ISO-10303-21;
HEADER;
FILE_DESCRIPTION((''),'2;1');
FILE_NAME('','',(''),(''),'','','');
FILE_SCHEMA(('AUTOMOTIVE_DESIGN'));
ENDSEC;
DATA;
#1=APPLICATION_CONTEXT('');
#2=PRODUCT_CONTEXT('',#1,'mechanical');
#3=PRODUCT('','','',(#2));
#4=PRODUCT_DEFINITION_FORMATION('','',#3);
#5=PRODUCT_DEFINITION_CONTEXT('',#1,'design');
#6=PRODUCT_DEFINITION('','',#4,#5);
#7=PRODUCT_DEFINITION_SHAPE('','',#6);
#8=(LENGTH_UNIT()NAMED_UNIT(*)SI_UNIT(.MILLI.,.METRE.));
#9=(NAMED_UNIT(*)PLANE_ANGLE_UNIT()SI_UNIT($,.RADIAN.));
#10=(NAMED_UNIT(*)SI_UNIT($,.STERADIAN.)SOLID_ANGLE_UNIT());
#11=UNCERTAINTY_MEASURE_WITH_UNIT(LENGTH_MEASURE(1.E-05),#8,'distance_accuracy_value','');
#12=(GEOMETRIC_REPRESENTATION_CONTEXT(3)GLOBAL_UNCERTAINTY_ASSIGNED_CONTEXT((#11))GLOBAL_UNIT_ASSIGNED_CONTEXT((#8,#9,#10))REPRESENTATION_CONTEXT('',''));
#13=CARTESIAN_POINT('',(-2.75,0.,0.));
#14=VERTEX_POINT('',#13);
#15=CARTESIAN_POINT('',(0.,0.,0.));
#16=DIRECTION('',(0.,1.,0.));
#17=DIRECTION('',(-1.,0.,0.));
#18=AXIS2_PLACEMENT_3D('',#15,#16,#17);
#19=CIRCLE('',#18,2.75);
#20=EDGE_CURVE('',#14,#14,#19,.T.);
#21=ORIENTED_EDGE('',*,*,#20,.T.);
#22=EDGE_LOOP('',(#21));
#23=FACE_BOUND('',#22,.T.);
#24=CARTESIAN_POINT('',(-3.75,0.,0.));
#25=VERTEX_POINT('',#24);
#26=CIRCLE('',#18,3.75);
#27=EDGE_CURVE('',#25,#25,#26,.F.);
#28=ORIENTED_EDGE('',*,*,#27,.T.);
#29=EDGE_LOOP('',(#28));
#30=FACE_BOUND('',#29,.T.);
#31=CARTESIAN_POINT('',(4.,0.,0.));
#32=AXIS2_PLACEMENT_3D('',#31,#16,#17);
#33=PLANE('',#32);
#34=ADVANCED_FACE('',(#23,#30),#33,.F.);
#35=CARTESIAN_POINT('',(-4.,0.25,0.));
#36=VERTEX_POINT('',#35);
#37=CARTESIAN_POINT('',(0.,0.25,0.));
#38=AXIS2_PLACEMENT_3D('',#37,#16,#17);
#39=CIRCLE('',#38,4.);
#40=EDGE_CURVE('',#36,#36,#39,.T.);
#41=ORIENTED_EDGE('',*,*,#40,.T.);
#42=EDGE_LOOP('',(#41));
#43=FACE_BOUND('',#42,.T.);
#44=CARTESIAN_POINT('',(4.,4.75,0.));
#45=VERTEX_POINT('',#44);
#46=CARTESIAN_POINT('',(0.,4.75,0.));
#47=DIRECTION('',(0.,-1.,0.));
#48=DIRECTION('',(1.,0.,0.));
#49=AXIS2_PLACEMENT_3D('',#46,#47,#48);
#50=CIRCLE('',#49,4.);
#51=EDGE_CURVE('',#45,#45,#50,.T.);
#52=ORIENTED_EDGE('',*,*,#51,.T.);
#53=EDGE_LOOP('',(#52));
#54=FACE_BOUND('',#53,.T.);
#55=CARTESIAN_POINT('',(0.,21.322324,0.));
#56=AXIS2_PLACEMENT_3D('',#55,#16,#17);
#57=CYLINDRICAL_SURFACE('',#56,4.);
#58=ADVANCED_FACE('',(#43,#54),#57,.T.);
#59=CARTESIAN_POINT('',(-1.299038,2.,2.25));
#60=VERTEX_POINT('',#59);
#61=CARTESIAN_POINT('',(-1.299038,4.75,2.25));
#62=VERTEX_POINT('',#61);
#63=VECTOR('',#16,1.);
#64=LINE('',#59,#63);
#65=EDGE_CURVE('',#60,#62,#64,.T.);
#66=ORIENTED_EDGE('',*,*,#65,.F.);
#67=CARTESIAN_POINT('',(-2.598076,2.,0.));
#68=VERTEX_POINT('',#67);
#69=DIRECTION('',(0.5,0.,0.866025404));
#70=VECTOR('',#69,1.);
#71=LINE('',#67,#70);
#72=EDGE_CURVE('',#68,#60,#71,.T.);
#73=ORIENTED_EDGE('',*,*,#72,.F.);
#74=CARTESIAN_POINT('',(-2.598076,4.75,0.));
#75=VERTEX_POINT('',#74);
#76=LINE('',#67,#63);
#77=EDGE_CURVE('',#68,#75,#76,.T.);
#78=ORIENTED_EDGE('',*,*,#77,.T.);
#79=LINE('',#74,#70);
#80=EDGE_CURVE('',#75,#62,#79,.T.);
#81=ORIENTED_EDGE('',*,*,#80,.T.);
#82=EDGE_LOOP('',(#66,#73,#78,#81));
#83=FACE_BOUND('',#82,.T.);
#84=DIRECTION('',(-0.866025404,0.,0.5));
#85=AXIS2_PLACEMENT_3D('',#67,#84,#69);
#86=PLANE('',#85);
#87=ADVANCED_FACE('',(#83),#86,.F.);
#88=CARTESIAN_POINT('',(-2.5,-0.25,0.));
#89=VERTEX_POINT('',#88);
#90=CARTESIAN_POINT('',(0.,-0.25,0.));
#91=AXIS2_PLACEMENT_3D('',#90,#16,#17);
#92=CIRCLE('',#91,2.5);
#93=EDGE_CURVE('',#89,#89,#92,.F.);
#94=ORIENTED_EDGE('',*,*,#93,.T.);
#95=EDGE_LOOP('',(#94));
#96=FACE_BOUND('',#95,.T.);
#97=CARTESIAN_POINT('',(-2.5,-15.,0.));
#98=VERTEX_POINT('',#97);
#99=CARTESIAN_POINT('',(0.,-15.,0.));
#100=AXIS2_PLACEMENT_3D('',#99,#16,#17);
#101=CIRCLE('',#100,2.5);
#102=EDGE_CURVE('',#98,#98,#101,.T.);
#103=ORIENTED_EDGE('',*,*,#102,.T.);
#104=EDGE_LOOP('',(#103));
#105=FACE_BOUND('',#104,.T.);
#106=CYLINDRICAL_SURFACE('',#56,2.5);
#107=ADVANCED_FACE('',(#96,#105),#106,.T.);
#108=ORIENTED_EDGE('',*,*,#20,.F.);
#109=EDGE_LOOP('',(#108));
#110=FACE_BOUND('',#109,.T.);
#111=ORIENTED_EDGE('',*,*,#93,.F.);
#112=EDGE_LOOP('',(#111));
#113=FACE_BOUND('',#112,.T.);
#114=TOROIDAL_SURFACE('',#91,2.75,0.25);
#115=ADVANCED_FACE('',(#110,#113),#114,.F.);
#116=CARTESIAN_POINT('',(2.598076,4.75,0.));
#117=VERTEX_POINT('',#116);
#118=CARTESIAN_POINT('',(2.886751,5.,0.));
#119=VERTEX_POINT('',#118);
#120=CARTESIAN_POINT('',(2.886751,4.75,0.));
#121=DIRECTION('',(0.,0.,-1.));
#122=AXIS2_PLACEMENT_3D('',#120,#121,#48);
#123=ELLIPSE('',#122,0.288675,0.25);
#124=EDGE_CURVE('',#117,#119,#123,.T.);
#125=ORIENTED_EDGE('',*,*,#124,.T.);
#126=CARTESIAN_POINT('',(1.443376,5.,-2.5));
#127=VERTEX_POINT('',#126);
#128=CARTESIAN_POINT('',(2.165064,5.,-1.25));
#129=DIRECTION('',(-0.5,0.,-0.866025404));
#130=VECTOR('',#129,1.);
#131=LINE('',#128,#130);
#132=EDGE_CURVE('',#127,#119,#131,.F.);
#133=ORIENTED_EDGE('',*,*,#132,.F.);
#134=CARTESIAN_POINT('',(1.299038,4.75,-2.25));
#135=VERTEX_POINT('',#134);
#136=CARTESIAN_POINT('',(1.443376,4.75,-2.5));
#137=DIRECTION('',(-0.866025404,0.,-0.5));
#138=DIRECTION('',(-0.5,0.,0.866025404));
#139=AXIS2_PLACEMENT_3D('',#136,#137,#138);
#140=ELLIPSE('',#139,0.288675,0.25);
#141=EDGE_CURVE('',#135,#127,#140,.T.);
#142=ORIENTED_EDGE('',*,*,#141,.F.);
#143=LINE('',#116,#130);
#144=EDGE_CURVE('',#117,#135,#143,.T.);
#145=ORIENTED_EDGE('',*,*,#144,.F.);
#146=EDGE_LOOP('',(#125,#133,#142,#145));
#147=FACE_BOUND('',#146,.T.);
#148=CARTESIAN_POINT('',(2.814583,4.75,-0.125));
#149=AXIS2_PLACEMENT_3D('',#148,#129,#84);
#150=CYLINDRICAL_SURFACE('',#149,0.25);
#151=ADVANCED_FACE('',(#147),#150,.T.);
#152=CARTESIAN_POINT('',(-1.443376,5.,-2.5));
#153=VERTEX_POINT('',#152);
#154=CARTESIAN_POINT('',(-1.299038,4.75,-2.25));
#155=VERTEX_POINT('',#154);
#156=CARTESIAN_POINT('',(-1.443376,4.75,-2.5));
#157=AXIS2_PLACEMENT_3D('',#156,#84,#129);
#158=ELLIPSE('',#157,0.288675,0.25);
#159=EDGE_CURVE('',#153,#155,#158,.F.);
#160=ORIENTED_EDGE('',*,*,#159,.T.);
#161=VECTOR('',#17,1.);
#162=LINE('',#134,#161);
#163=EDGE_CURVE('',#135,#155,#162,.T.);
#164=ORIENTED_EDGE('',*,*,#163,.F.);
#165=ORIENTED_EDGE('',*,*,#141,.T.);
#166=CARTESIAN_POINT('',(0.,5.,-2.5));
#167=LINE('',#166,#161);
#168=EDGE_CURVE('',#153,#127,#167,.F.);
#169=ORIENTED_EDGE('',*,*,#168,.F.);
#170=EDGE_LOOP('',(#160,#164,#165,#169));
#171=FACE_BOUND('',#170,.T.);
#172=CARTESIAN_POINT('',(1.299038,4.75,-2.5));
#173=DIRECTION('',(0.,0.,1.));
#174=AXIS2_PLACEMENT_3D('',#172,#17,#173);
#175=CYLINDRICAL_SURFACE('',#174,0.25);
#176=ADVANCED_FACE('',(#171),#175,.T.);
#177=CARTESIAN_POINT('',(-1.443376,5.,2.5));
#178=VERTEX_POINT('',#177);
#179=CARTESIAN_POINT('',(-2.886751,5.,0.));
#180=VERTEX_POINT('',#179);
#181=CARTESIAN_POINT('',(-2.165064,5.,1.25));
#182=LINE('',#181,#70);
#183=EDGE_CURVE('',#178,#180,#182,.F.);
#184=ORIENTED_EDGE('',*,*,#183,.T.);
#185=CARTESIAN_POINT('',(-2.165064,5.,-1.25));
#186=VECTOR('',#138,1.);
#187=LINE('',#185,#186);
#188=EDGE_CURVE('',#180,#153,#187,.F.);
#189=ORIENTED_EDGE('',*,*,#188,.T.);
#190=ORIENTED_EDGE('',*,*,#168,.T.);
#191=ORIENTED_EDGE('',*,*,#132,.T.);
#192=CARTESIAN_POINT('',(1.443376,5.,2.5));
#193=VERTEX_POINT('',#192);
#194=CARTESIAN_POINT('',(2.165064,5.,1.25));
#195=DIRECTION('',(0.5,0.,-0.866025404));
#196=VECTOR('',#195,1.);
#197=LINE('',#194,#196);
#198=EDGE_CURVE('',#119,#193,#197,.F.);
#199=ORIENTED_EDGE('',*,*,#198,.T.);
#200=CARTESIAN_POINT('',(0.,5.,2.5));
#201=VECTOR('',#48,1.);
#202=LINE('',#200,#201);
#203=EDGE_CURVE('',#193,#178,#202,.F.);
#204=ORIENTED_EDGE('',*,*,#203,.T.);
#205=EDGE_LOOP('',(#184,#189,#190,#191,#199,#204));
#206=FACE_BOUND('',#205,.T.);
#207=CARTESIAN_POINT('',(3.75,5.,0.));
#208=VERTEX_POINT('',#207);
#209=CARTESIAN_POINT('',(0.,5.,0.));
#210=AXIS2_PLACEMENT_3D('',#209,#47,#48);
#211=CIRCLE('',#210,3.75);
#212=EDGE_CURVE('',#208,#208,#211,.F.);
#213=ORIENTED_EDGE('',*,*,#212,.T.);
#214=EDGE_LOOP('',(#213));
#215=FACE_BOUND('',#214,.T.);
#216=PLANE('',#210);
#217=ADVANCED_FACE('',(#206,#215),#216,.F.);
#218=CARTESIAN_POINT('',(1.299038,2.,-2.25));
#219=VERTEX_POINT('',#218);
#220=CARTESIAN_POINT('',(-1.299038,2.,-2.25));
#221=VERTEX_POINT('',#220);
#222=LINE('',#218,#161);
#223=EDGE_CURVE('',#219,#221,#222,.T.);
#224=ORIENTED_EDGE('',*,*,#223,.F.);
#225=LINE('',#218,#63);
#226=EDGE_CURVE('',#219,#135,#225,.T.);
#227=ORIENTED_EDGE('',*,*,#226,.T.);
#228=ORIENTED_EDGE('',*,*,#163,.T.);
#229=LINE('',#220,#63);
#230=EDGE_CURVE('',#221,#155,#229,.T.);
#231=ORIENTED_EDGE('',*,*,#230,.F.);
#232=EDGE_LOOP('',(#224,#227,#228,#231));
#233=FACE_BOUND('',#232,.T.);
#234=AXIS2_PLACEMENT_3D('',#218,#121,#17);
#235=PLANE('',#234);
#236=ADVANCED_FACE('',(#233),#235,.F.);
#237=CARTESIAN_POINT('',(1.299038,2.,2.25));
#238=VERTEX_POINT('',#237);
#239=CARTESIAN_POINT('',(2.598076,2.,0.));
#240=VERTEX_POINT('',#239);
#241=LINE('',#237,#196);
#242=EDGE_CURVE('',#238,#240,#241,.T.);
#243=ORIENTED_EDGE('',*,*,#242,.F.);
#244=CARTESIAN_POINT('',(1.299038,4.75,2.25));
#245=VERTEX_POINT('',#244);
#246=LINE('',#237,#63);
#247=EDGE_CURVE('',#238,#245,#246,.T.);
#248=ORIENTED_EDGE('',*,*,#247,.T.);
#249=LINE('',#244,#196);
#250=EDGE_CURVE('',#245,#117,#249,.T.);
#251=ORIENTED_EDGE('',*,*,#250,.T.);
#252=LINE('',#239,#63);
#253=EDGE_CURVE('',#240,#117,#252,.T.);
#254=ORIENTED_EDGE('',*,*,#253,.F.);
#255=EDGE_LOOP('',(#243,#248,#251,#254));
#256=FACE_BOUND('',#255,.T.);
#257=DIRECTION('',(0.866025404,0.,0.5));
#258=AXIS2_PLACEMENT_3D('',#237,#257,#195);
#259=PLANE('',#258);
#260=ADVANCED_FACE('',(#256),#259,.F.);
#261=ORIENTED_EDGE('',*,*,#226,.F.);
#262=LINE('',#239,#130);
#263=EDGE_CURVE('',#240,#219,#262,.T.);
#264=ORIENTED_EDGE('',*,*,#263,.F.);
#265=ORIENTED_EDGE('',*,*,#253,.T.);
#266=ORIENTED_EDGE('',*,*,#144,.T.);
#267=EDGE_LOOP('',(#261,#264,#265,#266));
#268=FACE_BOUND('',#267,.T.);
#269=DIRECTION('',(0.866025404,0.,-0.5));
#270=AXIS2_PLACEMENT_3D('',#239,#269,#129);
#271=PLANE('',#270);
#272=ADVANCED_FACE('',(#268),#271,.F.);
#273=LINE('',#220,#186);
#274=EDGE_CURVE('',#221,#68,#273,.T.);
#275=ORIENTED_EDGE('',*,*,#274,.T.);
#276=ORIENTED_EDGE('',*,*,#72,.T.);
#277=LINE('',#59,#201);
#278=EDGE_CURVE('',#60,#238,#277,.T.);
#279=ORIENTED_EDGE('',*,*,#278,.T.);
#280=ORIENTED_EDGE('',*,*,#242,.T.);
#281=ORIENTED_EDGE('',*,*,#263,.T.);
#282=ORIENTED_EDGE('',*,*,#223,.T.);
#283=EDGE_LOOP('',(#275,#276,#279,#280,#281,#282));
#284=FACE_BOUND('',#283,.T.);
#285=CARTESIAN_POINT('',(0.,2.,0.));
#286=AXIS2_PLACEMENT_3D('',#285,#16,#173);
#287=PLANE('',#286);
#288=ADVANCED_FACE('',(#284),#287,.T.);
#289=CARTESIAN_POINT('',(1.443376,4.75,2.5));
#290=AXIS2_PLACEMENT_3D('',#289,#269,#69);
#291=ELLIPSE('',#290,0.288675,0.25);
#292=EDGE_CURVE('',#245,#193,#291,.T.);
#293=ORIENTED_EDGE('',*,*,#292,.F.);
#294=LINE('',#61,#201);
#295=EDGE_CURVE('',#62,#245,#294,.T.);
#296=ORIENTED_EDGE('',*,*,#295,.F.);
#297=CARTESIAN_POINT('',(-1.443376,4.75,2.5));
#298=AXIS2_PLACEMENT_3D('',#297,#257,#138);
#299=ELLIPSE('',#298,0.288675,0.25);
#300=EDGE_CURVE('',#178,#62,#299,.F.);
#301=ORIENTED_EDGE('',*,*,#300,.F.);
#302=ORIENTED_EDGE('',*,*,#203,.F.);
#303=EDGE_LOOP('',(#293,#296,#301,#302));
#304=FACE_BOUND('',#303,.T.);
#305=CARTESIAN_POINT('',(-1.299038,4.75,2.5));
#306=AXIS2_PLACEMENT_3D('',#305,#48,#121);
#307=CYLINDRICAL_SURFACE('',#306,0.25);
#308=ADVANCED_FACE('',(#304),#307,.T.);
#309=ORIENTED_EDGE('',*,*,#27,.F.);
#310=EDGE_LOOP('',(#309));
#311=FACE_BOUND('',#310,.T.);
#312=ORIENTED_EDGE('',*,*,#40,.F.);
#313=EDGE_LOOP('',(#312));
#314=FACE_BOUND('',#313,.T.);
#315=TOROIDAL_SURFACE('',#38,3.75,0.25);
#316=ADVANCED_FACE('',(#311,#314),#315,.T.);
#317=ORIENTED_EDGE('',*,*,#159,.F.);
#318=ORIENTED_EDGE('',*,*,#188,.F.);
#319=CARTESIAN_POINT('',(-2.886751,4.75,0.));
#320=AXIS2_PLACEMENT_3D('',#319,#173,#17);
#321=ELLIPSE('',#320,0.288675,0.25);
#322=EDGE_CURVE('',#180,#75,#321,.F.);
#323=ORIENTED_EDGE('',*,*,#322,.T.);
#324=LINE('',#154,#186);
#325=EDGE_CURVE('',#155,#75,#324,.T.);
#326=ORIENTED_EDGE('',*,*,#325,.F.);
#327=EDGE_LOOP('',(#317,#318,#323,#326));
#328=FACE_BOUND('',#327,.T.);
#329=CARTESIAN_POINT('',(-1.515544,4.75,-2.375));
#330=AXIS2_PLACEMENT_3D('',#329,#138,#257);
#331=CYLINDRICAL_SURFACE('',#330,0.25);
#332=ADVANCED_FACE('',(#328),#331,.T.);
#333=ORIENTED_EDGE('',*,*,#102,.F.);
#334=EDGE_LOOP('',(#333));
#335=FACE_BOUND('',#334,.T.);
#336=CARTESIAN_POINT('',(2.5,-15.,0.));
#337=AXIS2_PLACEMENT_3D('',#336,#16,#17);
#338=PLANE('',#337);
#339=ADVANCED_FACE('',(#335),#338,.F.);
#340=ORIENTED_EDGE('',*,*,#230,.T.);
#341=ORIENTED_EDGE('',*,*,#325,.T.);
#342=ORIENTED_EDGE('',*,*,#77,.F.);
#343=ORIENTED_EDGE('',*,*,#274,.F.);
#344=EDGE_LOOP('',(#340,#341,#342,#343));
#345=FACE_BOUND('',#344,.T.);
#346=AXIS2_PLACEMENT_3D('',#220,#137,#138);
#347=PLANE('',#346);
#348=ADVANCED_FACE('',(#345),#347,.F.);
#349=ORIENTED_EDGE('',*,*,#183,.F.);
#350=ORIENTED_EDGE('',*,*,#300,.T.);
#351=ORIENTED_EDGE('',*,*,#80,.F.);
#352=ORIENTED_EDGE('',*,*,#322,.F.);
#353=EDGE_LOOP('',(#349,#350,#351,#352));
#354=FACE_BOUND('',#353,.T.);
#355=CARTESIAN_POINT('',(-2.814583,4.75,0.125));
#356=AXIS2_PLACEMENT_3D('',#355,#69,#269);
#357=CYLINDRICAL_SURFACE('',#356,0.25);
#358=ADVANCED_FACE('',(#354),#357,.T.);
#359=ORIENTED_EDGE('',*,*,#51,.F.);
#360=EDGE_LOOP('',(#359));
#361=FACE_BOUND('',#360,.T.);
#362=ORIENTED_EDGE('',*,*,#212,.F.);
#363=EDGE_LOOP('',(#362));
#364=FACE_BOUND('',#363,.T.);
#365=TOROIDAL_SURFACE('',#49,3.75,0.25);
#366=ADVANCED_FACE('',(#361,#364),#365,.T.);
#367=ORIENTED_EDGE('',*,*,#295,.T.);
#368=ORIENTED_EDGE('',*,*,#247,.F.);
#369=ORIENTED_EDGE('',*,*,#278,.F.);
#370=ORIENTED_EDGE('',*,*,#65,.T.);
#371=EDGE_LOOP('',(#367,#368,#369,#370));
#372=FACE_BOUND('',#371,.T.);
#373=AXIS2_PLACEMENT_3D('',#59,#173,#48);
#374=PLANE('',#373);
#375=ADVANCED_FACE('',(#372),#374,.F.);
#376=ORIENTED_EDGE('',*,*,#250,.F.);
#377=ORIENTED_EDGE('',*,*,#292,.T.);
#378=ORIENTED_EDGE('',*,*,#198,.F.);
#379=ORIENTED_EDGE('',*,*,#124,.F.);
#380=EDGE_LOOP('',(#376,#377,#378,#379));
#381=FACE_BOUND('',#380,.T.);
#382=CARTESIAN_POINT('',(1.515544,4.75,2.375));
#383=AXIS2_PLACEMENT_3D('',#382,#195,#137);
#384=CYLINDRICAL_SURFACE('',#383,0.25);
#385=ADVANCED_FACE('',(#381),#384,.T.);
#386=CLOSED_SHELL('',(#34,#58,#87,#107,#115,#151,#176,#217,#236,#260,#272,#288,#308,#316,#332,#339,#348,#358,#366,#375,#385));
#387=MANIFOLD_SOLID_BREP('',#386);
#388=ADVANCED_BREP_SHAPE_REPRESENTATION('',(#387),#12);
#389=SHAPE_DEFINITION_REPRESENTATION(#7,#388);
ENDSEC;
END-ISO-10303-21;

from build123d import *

# Parameters (mm, degrees)
CUT_EXTRUDE1_DEPTH = 3
FILLET1_R          = 0.25


with BuildPart() as part:
    # Sketch2 → Revolve1 (revolve)
    with BuildSketch(Plane.XY, mode=Mode.PRIVATE) as revolve1_sk:
        Polygon((0, 5), (4, 5), (4, 0), (2.5, 0), (2.5, -15), (0, -15), align=None)
    revolve(revolve1_sk.sketch.rotate(Axis((0, 21.322324325, 0), (0, -1, 0)), 180), axis=Axis((0, 21.322324325, 0), (0, -1, 0)))

    # Sketch3 → Cut-Extrude1 (cut)
    with BuildSketch(Plane(origin=(0, 5, 0), x_dir=(1, 0, 0), z_dir=(0, 1, 0))):
        Polygon((2.598076211, 0), (1.299038106, 2.25), (-1.299038106, 2.25), (-2.598076211, 0), (-1.299038106, -2.25), (1.299038106, -2.25), align=None)
    extrude(amount=-CUT_EXTRUDE1_DEPTH, mode=Mode.SUBTRACT)

    # Fillet1
    fillet1_edges = [part.edges().sort_by_distance(p)[0] for p in [
        (1.948557159, 5, 1.125),
        (1.948557159, 5, -1.125),
        (0, 5, -2.25),
        (-1.948557159, 5, -1.125),
        (-1.948557159, 5, 1.125),
        (0, 5, 2.25),
        (2.5, 0, 0),
        (4, 0, 0),
        (4, 5, 0),
    ]]
    fillet(fillet1_edges, radius=FILLET1_R)


solid = part.part
